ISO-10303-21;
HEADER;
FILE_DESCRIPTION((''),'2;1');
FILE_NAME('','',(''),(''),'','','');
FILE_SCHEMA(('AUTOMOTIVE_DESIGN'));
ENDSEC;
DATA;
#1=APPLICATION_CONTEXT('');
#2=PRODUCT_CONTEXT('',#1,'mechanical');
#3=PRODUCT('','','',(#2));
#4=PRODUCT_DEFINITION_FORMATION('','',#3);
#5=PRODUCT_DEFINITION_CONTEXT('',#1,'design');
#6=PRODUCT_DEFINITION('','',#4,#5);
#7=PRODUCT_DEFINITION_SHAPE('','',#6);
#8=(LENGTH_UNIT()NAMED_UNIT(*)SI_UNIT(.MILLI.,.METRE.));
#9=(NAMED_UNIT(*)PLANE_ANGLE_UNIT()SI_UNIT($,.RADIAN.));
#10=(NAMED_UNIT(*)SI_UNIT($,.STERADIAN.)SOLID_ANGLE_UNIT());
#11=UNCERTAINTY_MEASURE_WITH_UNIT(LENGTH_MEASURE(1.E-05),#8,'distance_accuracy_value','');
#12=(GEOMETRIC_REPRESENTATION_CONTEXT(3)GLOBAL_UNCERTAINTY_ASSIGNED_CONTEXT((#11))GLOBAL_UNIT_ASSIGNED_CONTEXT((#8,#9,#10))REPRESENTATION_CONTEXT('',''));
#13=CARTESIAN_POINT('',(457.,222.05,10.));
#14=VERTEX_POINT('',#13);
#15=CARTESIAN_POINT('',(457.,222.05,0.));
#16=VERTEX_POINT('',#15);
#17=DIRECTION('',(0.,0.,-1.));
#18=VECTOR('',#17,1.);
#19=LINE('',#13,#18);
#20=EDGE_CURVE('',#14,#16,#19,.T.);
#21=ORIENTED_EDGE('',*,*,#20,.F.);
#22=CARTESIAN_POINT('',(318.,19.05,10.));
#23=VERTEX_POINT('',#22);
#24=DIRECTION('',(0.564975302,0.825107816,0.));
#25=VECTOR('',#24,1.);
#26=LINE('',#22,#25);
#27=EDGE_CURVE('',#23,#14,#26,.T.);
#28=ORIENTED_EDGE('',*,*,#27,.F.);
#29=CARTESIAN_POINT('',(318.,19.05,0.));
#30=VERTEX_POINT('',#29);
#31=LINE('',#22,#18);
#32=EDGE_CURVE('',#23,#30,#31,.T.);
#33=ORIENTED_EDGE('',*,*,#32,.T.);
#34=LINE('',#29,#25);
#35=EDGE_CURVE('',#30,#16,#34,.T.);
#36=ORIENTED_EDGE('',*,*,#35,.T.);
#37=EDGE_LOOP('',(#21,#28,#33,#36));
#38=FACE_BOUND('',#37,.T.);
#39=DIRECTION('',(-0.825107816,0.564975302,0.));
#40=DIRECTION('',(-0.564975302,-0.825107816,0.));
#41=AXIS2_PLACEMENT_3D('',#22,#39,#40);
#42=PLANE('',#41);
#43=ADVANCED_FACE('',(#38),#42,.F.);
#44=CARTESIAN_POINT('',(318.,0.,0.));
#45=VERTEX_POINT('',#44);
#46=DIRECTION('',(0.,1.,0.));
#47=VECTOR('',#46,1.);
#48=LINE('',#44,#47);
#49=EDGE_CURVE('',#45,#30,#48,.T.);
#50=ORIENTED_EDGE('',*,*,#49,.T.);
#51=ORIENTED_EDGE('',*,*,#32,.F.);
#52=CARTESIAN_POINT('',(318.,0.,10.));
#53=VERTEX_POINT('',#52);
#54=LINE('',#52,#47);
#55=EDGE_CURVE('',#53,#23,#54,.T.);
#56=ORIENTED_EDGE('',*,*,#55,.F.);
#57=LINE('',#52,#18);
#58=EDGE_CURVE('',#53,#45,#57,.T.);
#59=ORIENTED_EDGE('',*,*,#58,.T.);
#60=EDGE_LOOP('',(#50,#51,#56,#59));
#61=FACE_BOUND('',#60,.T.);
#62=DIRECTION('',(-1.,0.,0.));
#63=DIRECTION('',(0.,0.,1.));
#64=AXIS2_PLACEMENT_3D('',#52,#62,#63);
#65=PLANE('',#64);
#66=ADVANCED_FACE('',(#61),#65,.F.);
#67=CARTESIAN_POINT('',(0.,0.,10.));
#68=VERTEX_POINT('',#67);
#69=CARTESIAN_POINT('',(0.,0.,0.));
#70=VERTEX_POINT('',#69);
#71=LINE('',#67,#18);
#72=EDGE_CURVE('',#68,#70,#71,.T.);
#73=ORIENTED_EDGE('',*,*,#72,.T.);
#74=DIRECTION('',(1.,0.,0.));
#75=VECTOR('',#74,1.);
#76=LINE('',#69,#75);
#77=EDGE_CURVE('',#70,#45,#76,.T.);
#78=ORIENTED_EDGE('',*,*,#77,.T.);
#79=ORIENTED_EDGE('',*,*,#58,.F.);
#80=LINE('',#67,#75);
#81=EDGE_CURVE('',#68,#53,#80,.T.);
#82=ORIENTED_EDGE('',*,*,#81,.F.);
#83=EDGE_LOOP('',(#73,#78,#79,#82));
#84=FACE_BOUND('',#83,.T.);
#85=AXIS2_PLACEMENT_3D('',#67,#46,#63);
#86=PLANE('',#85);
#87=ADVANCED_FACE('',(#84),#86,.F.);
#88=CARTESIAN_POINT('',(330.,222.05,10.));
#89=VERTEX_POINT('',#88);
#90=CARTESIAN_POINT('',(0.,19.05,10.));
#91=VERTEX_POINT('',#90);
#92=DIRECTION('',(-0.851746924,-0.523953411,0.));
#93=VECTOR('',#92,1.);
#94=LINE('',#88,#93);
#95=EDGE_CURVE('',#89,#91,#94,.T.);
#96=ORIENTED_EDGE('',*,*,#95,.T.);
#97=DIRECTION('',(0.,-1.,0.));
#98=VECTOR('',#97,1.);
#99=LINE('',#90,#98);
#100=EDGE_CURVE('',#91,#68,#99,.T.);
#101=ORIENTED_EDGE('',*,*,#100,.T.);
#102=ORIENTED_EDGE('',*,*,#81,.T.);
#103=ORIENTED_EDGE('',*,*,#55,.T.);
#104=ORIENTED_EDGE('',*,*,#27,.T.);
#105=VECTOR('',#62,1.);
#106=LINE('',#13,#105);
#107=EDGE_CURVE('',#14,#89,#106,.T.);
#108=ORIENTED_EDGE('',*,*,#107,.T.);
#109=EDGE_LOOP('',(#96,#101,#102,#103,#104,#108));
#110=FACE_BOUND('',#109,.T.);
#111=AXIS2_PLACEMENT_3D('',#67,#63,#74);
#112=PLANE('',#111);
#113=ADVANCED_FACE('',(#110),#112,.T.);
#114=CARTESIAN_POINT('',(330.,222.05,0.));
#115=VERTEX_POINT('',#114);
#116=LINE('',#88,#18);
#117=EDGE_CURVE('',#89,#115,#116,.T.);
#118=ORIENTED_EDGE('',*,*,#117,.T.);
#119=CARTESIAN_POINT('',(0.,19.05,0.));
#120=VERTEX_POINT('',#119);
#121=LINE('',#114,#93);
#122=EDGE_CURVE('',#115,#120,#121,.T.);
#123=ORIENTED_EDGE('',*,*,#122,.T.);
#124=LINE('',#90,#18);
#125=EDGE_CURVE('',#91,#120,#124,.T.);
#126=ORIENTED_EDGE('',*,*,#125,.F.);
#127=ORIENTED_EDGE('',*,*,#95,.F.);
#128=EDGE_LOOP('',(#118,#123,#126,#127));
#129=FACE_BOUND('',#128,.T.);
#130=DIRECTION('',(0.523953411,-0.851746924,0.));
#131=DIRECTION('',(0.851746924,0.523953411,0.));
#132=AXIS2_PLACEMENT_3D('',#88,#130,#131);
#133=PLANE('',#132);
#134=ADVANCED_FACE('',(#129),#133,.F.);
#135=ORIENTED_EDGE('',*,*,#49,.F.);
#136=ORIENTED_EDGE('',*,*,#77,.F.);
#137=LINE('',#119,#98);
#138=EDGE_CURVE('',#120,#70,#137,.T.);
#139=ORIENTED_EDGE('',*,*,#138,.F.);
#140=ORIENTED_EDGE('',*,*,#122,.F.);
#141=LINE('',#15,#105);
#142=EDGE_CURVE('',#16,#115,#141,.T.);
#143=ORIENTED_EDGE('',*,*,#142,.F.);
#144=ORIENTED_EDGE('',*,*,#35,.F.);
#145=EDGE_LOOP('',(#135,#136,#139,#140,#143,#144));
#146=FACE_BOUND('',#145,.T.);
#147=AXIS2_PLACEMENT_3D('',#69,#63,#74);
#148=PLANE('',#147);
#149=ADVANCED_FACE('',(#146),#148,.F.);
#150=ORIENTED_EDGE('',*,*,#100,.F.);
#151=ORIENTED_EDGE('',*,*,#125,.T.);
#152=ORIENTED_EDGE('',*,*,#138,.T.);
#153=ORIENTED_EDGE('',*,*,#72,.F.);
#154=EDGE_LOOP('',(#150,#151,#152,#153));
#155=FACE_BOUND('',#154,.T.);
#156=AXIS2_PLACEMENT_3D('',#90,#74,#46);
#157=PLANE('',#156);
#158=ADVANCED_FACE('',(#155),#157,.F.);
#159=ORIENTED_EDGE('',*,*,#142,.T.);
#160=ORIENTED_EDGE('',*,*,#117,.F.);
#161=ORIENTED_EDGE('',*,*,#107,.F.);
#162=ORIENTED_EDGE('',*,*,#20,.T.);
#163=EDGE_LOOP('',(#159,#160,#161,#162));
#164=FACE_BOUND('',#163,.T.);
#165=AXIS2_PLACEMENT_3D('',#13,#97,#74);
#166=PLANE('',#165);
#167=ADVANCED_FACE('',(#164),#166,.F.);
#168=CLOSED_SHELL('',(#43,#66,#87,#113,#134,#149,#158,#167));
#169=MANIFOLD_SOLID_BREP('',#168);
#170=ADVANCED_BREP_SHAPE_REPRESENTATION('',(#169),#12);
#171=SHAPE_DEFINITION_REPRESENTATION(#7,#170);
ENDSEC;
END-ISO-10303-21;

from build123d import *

# Parameters (mm, degrees)
BOSS_EXTRUDE1_DEPTH = 10


with BuildPart() as part:
    # Sketch1 → Boss-Extrude1 (new body)
    with BuildSketch(Plane.XY):
        Polygon((0, 0), (318, 0), (318, 19.05), (457, 222.05), (330, 222.05), (0, 19.05), align=None)
    extrude(amount=BOSS_EXTRUDE1_DEPTH)


solid = part.part
